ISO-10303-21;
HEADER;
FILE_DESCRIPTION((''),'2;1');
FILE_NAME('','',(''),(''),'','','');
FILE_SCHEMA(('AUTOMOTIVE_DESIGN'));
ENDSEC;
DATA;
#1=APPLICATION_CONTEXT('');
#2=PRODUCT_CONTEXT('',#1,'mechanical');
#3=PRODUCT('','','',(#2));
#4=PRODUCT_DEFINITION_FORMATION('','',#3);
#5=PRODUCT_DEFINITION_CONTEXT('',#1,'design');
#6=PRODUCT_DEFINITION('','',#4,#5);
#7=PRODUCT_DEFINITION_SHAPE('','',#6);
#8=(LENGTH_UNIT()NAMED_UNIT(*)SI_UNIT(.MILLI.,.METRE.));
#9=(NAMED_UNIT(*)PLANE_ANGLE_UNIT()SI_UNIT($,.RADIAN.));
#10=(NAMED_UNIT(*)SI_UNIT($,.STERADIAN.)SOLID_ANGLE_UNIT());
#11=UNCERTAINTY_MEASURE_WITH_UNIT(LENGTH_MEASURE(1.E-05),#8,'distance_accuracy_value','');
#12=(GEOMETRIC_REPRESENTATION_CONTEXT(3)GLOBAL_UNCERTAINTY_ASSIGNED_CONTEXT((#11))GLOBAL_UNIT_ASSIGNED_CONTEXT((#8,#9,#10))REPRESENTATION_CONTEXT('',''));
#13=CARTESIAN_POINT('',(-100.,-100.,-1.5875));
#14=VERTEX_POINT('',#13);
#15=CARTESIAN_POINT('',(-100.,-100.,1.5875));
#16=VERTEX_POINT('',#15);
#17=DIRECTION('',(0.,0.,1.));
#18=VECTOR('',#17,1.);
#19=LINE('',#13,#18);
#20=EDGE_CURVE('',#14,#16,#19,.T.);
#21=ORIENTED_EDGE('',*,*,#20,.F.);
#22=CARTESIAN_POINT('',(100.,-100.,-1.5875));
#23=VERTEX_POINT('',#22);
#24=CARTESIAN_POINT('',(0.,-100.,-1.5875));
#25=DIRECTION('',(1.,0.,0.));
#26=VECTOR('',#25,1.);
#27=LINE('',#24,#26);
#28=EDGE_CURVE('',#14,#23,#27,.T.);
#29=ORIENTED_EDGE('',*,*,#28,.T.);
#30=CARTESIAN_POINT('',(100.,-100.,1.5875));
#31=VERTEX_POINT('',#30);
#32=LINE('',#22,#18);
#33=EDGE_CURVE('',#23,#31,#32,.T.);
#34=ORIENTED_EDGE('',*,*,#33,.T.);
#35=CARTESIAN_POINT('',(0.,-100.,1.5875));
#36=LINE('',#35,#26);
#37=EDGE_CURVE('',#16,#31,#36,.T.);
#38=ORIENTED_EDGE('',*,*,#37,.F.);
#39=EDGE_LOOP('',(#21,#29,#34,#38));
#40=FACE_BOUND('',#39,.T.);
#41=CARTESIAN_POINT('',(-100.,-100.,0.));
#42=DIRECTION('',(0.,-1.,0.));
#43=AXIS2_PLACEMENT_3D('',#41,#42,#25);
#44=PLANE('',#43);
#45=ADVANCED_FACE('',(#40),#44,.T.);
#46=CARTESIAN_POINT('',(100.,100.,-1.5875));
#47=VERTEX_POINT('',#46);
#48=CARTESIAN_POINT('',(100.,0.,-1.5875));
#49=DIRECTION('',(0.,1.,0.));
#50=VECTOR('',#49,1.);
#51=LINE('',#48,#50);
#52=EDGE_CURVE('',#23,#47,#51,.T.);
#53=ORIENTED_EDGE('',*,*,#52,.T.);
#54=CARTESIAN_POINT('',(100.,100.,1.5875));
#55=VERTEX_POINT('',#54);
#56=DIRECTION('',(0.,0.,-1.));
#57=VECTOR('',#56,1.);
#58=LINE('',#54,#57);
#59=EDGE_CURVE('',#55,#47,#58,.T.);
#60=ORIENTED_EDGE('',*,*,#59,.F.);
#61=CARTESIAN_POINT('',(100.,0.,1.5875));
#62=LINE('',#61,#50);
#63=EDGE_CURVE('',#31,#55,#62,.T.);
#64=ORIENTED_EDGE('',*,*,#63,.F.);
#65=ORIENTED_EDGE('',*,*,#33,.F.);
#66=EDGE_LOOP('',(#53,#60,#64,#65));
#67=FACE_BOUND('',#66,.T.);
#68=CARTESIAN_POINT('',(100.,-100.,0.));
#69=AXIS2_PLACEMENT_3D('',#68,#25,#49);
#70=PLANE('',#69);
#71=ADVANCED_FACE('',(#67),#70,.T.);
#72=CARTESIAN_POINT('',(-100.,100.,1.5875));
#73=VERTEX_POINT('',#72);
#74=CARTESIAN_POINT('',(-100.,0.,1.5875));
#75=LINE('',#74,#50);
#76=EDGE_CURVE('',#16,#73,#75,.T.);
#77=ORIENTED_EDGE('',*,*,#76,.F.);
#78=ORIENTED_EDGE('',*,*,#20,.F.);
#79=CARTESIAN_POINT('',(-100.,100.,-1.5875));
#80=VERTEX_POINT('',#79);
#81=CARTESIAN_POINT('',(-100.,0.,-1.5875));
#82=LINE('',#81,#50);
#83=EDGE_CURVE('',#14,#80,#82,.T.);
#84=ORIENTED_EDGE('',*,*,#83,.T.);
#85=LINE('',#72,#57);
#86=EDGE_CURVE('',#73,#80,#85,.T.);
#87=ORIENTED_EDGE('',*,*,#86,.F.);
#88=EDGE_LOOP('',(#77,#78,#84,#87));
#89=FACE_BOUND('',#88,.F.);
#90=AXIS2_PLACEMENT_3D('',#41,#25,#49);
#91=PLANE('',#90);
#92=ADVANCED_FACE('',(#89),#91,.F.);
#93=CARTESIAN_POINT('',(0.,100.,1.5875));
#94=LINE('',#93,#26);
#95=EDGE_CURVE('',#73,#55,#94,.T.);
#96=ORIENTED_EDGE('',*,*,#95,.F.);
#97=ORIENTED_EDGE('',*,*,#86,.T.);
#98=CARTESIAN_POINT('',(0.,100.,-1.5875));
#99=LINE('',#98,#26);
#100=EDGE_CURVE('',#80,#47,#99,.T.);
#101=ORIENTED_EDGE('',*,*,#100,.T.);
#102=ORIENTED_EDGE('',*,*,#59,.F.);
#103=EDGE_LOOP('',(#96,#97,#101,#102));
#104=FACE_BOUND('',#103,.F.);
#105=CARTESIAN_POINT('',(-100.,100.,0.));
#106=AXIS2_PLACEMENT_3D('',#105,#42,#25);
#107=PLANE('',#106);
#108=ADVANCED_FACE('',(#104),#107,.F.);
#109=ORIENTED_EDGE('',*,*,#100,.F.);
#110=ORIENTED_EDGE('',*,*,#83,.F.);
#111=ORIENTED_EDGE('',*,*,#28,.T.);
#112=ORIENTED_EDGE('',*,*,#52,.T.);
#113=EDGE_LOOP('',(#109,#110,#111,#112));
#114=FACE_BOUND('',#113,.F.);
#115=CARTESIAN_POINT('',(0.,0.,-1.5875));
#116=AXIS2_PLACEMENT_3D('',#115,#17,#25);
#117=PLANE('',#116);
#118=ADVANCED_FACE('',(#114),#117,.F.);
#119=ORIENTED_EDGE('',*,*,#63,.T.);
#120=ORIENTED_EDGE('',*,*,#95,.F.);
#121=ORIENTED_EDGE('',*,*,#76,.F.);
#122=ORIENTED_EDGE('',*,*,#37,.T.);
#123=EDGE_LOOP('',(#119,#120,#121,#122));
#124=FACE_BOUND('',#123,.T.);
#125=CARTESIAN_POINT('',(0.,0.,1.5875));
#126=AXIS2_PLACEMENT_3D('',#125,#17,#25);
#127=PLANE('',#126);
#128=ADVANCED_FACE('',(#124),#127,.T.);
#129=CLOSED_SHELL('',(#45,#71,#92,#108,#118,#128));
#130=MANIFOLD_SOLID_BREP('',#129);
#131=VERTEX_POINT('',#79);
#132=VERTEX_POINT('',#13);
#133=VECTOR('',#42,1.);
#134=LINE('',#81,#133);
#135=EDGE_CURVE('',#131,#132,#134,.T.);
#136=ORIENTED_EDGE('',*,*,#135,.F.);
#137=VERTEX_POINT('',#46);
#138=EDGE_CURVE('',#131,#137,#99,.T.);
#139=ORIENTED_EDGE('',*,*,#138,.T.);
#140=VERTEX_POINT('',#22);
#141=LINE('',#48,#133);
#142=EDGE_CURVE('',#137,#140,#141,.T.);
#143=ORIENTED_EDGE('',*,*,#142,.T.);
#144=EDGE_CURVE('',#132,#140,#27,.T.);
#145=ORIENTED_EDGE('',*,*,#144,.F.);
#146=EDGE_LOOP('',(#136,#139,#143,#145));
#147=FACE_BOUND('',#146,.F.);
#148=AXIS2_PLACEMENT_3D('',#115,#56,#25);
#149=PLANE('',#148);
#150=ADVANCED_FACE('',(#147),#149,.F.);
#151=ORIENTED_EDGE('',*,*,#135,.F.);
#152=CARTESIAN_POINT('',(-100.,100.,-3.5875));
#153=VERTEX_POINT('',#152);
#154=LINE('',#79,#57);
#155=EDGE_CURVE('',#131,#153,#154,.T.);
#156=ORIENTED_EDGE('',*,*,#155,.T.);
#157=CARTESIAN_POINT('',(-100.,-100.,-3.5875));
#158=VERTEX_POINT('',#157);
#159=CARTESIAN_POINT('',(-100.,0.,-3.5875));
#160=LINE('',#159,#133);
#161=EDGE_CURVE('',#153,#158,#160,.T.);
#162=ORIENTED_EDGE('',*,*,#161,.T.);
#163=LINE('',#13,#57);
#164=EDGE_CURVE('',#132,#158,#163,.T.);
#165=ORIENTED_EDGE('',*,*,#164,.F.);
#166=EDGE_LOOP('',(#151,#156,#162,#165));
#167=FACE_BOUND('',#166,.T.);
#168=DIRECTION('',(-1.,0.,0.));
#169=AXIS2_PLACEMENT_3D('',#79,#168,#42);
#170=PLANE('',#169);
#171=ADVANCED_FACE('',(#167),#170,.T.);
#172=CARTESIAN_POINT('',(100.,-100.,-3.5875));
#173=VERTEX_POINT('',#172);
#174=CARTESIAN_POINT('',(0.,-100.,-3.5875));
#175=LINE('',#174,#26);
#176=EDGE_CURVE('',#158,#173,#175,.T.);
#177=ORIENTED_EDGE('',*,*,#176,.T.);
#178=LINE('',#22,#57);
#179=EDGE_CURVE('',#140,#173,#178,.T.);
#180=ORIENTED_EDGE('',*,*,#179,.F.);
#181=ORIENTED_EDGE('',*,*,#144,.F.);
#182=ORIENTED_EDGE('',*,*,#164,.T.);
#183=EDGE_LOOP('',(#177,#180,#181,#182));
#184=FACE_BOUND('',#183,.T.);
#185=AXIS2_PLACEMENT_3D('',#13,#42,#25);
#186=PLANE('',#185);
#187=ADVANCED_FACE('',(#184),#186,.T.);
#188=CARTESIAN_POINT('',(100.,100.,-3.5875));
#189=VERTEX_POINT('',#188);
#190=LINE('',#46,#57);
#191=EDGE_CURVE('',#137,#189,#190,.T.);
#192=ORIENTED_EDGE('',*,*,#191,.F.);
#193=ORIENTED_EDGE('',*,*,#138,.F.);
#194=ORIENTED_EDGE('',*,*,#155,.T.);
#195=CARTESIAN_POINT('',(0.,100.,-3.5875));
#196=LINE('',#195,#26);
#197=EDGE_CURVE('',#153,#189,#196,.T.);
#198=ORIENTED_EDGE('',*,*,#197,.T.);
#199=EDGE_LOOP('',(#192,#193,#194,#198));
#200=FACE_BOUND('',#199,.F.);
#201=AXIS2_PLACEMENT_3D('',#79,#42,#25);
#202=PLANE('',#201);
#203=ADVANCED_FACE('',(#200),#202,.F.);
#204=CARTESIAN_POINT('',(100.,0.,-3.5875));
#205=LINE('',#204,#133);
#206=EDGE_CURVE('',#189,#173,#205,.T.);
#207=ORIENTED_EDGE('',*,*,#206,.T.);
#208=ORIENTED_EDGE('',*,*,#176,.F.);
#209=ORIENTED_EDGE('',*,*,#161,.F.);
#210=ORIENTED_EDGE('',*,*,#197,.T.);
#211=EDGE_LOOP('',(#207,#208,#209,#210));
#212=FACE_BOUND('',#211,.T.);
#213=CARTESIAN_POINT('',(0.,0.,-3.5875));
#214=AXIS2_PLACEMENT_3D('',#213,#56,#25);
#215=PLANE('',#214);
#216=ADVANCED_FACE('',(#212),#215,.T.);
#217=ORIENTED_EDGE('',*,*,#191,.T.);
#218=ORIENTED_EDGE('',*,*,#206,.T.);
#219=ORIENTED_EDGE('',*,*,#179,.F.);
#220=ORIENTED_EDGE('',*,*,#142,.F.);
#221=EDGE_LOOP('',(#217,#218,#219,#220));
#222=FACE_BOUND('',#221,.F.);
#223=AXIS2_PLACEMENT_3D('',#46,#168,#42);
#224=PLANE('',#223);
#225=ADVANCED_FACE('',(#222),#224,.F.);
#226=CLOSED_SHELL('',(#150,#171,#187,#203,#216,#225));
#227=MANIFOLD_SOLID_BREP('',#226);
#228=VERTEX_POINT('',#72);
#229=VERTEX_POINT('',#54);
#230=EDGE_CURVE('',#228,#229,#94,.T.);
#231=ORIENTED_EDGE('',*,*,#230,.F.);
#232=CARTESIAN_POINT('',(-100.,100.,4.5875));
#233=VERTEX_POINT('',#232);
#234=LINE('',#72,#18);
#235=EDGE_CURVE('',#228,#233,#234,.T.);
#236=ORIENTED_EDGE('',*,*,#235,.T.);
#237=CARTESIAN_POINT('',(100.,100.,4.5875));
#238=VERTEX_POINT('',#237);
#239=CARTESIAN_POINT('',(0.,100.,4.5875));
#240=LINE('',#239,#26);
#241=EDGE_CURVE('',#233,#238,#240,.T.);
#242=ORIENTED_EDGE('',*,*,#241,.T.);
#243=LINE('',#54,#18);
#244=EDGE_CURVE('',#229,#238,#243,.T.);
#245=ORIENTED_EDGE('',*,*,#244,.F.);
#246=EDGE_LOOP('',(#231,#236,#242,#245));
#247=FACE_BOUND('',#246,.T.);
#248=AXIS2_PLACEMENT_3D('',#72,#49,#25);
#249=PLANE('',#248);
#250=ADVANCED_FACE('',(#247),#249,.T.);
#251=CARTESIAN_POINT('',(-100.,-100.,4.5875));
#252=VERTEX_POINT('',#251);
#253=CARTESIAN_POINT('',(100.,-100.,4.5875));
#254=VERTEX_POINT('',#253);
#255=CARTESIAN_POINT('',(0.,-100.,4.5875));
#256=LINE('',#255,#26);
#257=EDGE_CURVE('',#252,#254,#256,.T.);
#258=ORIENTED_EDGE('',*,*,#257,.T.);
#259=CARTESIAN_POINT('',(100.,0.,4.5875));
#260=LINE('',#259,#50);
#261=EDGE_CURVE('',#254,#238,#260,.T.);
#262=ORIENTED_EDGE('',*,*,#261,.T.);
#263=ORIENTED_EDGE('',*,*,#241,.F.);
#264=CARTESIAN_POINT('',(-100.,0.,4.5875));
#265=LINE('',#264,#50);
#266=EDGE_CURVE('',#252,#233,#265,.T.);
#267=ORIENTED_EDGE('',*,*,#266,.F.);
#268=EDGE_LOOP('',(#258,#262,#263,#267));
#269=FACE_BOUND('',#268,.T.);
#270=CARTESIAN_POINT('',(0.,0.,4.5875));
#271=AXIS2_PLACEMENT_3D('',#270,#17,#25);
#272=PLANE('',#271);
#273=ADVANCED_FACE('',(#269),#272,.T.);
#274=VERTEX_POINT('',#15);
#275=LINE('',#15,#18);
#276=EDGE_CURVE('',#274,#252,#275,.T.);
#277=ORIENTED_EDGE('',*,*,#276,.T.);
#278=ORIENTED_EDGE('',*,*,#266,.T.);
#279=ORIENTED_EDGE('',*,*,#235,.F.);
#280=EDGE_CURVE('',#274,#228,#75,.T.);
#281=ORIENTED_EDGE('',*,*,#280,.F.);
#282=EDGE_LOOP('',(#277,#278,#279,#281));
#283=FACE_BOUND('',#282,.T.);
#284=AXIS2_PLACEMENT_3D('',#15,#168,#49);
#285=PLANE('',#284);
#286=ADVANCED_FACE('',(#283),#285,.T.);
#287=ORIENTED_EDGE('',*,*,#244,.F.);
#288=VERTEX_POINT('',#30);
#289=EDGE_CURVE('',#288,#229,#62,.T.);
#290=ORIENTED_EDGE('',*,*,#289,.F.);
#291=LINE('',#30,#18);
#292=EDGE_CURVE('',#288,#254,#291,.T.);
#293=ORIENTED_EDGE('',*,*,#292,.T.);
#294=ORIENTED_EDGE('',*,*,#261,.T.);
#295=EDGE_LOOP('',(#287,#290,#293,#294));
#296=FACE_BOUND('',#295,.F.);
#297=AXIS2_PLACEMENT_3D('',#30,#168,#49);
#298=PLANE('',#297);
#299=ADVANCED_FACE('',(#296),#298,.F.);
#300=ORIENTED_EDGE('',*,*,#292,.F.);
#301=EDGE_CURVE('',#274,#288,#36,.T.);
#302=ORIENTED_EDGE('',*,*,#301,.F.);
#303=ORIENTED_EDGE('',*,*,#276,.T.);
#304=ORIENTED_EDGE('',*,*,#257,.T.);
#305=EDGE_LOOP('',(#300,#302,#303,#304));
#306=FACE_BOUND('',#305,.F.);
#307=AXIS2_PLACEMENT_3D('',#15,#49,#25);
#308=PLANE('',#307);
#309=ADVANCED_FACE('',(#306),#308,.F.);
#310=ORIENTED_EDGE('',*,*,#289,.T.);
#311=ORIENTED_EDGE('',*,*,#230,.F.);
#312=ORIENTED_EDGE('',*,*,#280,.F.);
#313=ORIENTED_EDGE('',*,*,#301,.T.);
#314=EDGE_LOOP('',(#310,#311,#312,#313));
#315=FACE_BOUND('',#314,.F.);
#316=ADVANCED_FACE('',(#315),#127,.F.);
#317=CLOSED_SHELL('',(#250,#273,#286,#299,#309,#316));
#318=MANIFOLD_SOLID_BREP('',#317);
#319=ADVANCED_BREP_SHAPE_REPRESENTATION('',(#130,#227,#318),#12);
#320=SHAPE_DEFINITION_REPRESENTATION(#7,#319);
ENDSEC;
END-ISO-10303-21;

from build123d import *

# Parameters (mm, degrees)
F0_W     = 200
F0_H     = 200
F1_DEPTH = 1.5875
F2_R     = 2.5
F3_DEPTH = 3.176
F4_W     = 200
F4_H     = 200
F5_DEPTH = 2
F6_W     = 200
F6_H     = 200
F7_DEPTH = 3


with BuildPart() as f1:
    # F0 (on Top) → F1 (new body, symmetric)
    with BuildSketch(Plane.XY):
        Rectangle(F0_W, F0_H)
    extrude(amount=F1_DEPTH, both=True)

    # F2 (on face) → F3 (cut, through all)
    with BuildSketch(Plane.XY.offset(1.5875)):
        with Locations((-90, -140)):
            Circle(F2_R)
        with Locations((-90, 140)):
            Circle(F2_R)
        with Locations((90, 140)):
            Circle(F2_R)
        with Locations((90, -140)):
            Circle(F2_R)
    extrude(amount=-F3_DEPTH, mode=Mode.SUBTRACT)


with BuildPart() as f5:
    # F4 (on face) → F5 (new body)
    with BuildSketch(Plane(origin=(0, 0, -1.5875), x_dir=(1, 0, 0), z_dir=(0, 0, -1))):
        Rectangle(F4_W, F4_H)
    extrude(amount=F5_DEPTH)


with BuildPart() as f7:
    # F6 (on face) → F7 (new body)
    with BuildSketch(Plane.XY.offset(1.5875)):
        Rectangle(F6_W, F6_H)
    extrude(amount=F7_DEPTH)


solid = Compound([f1.part, f5.part, f7.part])
